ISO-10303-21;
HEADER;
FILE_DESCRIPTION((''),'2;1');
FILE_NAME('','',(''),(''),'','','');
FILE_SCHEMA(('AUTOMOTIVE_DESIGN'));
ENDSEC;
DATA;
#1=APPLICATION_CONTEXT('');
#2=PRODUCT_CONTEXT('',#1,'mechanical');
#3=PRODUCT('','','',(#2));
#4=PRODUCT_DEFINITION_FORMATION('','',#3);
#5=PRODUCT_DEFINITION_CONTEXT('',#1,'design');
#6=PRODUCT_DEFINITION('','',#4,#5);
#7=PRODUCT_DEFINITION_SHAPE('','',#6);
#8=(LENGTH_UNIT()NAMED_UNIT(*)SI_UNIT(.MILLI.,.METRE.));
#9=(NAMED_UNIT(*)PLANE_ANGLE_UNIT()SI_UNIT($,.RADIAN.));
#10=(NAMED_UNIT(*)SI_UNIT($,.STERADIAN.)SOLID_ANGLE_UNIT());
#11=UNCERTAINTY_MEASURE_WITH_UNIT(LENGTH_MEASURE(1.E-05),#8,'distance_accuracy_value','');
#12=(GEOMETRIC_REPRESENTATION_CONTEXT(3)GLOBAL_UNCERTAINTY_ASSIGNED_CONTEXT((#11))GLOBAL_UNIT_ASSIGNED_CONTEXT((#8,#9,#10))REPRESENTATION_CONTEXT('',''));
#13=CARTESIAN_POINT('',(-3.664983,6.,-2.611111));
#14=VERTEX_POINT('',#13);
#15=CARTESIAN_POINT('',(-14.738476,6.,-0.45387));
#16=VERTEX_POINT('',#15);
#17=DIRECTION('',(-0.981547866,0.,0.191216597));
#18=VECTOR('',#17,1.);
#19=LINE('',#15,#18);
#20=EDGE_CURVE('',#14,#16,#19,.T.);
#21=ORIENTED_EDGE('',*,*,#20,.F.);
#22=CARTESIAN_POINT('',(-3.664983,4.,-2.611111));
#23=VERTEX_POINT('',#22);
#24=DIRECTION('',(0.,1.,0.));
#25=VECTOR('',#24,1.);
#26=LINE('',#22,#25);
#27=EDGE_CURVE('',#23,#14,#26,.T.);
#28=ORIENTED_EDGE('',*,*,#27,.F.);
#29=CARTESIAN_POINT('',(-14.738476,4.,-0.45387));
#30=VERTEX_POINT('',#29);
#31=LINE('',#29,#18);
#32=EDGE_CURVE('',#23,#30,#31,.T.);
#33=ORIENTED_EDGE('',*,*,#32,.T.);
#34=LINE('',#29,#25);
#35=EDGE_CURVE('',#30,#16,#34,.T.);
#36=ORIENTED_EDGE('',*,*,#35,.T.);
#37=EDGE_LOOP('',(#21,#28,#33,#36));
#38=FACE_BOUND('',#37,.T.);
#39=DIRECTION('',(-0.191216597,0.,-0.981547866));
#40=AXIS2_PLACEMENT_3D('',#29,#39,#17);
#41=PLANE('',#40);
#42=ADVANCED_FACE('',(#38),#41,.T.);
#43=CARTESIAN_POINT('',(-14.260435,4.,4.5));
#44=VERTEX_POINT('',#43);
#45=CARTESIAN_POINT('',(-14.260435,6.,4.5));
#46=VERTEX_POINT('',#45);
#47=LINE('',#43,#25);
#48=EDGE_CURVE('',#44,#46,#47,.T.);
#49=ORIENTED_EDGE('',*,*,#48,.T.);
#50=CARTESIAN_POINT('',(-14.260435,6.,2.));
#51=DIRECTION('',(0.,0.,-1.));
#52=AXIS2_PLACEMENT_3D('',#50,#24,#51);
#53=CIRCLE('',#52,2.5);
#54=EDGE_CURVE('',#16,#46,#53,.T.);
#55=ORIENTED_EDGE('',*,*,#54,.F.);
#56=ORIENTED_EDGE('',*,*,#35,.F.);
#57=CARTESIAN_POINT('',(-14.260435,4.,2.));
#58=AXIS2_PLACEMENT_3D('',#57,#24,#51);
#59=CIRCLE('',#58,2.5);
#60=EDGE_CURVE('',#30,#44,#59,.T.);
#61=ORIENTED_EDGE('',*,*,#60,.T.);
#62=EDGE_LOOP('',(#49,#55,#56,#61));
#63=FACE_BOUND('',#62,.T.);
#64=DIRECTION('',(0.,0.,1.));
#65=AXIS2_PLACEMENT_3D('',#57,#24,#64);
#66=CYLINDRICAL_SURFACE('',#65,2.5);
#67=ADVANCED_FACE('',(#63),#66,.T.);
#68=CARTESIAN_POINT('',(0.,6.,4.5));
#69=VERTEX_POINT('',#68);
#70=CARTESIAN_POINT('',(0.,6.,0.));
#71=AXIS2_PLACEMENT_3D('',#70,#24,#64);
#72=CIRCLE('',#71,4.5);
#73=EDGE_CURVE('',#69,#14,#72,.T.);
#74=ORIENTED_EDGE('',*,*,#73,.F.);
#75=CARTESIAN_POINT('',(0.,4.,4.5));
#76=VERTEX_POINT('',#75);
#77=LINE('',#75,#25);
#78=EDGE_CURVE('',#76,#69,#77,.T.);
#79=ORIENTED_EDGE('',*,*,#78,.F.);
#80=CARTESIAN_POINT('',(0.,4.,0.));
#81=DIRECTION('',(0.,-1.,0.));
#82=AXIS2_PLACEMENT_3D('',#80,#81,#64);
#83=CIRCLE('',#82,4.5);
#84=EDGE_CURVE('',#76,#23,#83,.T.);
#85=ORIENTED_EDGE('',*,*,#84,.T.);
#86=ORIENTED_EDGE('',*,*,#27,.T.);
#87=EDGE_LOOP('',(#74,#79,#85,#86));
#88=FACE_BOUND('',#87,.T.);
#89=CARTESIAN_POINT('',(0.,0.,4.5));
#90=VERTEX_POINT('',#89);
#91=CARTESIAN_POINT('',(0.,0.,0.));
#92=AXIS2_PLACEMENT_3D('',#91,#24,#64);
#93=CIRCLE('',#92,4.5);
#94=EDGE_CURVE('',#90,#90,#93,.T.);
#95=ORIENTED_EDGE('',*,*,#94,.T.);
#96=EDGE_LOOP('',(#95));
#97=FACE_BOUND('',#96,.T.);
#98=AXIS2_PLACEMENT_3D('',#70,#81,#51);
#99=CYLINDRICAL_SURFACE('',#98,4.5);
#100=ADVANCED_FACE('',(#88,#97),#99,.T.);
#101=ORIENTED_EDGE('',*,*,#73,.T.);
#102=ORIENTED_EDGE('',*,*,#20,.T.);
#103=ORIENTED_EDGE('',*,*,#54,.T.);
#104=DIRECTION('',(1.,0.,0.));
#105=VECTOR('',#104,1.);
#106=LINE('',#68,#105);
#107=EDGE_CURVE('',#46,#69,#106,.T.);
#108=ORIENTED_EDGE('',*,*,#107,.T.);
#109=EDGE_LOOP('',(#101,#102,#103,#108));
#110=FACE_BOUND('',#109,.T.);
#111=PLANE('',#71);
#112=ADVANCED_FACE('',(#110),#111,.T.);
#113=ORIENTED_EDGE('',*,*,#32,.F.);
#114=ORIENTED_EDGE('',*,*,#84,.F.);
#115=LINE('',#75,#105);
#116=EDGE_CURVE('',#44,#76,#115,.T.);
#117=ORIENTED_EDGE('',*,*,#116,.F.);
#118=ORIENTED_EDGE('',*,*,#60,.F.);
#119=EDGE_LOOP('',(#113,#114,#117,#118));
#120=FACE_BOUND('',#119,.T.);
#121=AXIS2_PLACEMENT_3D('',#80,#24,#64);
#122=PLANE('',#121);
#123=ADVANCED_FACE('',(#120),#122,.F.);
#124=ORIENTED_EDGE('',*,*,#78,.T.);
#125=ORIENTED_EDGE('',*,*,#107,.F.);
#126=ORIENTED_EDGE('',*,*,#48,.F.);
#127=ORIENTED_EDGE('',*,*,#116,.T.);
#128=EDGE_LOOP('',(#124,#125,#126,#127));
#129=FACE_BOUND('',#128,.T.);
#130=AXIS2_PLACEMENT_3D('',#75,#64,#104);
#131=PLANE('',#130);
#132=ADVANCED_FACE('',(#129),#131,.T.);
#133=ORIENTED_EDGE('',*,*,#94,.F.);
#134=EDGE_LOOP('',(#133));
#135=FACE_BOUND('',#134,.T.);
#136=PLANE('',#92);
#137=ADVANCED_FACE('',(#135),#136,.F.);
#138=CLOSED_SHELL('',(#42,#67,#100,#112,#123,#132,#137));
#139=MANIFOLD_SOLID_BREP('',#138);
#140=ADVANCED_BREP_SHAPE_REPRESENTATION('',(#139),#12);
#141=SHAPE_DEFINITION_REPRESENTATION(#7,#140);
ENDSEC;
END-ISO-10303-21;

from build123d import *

# Parameters (mm, degrees)
SKETCH1_R           = 4.5
BOSS_EXTRUDE1_DEPTH = 6
BOSS_EXTRUDE2_START = -2
BOSS_EXTRUDE2_DEPTH = 2


with BuildPart() as part:
    # Sketch1 → Boss-Extrude1 (new body)
    with BuildSketch(Plane(origin=(0, 0, 0), x_dir=(1, 0, 0), z_dir=(0, 1, 0))):
        with Locations(Location((0, 0, 0), (0, 0, 270))):
            Circle(SKETCH1_R)
    extrude(amount=BOSS_EXTRUDE1_DEPTH)

    # Sketch2 → Boss-Extrude2 (add)
    with BuildSketch(Plane(origin=(0, 6, 0), x_dir=(1, 0, 0), z_dir=(0, 1, 0)).offset(BOSS_EXTRUDE2_START)):
        with BuildLine():
            Line((0, -4.5), (-14.260434776, -4.5))
            ThreePointArc((-14.260434776, -4.5), (-16.748875469, -2.240131045), (-14.738476268, 0.453869665))
            Line((-14.738476268, 0.453869665), (-3.664982778, 2.611111111))
            ThreePointArc((-3.664982778, 2.611111111), (-4, -2.061552813), (0, -4.5))
        make_face()
    extrude(amount=BOSS_EXTRUDE2_DEPTH)


solid = part.part
